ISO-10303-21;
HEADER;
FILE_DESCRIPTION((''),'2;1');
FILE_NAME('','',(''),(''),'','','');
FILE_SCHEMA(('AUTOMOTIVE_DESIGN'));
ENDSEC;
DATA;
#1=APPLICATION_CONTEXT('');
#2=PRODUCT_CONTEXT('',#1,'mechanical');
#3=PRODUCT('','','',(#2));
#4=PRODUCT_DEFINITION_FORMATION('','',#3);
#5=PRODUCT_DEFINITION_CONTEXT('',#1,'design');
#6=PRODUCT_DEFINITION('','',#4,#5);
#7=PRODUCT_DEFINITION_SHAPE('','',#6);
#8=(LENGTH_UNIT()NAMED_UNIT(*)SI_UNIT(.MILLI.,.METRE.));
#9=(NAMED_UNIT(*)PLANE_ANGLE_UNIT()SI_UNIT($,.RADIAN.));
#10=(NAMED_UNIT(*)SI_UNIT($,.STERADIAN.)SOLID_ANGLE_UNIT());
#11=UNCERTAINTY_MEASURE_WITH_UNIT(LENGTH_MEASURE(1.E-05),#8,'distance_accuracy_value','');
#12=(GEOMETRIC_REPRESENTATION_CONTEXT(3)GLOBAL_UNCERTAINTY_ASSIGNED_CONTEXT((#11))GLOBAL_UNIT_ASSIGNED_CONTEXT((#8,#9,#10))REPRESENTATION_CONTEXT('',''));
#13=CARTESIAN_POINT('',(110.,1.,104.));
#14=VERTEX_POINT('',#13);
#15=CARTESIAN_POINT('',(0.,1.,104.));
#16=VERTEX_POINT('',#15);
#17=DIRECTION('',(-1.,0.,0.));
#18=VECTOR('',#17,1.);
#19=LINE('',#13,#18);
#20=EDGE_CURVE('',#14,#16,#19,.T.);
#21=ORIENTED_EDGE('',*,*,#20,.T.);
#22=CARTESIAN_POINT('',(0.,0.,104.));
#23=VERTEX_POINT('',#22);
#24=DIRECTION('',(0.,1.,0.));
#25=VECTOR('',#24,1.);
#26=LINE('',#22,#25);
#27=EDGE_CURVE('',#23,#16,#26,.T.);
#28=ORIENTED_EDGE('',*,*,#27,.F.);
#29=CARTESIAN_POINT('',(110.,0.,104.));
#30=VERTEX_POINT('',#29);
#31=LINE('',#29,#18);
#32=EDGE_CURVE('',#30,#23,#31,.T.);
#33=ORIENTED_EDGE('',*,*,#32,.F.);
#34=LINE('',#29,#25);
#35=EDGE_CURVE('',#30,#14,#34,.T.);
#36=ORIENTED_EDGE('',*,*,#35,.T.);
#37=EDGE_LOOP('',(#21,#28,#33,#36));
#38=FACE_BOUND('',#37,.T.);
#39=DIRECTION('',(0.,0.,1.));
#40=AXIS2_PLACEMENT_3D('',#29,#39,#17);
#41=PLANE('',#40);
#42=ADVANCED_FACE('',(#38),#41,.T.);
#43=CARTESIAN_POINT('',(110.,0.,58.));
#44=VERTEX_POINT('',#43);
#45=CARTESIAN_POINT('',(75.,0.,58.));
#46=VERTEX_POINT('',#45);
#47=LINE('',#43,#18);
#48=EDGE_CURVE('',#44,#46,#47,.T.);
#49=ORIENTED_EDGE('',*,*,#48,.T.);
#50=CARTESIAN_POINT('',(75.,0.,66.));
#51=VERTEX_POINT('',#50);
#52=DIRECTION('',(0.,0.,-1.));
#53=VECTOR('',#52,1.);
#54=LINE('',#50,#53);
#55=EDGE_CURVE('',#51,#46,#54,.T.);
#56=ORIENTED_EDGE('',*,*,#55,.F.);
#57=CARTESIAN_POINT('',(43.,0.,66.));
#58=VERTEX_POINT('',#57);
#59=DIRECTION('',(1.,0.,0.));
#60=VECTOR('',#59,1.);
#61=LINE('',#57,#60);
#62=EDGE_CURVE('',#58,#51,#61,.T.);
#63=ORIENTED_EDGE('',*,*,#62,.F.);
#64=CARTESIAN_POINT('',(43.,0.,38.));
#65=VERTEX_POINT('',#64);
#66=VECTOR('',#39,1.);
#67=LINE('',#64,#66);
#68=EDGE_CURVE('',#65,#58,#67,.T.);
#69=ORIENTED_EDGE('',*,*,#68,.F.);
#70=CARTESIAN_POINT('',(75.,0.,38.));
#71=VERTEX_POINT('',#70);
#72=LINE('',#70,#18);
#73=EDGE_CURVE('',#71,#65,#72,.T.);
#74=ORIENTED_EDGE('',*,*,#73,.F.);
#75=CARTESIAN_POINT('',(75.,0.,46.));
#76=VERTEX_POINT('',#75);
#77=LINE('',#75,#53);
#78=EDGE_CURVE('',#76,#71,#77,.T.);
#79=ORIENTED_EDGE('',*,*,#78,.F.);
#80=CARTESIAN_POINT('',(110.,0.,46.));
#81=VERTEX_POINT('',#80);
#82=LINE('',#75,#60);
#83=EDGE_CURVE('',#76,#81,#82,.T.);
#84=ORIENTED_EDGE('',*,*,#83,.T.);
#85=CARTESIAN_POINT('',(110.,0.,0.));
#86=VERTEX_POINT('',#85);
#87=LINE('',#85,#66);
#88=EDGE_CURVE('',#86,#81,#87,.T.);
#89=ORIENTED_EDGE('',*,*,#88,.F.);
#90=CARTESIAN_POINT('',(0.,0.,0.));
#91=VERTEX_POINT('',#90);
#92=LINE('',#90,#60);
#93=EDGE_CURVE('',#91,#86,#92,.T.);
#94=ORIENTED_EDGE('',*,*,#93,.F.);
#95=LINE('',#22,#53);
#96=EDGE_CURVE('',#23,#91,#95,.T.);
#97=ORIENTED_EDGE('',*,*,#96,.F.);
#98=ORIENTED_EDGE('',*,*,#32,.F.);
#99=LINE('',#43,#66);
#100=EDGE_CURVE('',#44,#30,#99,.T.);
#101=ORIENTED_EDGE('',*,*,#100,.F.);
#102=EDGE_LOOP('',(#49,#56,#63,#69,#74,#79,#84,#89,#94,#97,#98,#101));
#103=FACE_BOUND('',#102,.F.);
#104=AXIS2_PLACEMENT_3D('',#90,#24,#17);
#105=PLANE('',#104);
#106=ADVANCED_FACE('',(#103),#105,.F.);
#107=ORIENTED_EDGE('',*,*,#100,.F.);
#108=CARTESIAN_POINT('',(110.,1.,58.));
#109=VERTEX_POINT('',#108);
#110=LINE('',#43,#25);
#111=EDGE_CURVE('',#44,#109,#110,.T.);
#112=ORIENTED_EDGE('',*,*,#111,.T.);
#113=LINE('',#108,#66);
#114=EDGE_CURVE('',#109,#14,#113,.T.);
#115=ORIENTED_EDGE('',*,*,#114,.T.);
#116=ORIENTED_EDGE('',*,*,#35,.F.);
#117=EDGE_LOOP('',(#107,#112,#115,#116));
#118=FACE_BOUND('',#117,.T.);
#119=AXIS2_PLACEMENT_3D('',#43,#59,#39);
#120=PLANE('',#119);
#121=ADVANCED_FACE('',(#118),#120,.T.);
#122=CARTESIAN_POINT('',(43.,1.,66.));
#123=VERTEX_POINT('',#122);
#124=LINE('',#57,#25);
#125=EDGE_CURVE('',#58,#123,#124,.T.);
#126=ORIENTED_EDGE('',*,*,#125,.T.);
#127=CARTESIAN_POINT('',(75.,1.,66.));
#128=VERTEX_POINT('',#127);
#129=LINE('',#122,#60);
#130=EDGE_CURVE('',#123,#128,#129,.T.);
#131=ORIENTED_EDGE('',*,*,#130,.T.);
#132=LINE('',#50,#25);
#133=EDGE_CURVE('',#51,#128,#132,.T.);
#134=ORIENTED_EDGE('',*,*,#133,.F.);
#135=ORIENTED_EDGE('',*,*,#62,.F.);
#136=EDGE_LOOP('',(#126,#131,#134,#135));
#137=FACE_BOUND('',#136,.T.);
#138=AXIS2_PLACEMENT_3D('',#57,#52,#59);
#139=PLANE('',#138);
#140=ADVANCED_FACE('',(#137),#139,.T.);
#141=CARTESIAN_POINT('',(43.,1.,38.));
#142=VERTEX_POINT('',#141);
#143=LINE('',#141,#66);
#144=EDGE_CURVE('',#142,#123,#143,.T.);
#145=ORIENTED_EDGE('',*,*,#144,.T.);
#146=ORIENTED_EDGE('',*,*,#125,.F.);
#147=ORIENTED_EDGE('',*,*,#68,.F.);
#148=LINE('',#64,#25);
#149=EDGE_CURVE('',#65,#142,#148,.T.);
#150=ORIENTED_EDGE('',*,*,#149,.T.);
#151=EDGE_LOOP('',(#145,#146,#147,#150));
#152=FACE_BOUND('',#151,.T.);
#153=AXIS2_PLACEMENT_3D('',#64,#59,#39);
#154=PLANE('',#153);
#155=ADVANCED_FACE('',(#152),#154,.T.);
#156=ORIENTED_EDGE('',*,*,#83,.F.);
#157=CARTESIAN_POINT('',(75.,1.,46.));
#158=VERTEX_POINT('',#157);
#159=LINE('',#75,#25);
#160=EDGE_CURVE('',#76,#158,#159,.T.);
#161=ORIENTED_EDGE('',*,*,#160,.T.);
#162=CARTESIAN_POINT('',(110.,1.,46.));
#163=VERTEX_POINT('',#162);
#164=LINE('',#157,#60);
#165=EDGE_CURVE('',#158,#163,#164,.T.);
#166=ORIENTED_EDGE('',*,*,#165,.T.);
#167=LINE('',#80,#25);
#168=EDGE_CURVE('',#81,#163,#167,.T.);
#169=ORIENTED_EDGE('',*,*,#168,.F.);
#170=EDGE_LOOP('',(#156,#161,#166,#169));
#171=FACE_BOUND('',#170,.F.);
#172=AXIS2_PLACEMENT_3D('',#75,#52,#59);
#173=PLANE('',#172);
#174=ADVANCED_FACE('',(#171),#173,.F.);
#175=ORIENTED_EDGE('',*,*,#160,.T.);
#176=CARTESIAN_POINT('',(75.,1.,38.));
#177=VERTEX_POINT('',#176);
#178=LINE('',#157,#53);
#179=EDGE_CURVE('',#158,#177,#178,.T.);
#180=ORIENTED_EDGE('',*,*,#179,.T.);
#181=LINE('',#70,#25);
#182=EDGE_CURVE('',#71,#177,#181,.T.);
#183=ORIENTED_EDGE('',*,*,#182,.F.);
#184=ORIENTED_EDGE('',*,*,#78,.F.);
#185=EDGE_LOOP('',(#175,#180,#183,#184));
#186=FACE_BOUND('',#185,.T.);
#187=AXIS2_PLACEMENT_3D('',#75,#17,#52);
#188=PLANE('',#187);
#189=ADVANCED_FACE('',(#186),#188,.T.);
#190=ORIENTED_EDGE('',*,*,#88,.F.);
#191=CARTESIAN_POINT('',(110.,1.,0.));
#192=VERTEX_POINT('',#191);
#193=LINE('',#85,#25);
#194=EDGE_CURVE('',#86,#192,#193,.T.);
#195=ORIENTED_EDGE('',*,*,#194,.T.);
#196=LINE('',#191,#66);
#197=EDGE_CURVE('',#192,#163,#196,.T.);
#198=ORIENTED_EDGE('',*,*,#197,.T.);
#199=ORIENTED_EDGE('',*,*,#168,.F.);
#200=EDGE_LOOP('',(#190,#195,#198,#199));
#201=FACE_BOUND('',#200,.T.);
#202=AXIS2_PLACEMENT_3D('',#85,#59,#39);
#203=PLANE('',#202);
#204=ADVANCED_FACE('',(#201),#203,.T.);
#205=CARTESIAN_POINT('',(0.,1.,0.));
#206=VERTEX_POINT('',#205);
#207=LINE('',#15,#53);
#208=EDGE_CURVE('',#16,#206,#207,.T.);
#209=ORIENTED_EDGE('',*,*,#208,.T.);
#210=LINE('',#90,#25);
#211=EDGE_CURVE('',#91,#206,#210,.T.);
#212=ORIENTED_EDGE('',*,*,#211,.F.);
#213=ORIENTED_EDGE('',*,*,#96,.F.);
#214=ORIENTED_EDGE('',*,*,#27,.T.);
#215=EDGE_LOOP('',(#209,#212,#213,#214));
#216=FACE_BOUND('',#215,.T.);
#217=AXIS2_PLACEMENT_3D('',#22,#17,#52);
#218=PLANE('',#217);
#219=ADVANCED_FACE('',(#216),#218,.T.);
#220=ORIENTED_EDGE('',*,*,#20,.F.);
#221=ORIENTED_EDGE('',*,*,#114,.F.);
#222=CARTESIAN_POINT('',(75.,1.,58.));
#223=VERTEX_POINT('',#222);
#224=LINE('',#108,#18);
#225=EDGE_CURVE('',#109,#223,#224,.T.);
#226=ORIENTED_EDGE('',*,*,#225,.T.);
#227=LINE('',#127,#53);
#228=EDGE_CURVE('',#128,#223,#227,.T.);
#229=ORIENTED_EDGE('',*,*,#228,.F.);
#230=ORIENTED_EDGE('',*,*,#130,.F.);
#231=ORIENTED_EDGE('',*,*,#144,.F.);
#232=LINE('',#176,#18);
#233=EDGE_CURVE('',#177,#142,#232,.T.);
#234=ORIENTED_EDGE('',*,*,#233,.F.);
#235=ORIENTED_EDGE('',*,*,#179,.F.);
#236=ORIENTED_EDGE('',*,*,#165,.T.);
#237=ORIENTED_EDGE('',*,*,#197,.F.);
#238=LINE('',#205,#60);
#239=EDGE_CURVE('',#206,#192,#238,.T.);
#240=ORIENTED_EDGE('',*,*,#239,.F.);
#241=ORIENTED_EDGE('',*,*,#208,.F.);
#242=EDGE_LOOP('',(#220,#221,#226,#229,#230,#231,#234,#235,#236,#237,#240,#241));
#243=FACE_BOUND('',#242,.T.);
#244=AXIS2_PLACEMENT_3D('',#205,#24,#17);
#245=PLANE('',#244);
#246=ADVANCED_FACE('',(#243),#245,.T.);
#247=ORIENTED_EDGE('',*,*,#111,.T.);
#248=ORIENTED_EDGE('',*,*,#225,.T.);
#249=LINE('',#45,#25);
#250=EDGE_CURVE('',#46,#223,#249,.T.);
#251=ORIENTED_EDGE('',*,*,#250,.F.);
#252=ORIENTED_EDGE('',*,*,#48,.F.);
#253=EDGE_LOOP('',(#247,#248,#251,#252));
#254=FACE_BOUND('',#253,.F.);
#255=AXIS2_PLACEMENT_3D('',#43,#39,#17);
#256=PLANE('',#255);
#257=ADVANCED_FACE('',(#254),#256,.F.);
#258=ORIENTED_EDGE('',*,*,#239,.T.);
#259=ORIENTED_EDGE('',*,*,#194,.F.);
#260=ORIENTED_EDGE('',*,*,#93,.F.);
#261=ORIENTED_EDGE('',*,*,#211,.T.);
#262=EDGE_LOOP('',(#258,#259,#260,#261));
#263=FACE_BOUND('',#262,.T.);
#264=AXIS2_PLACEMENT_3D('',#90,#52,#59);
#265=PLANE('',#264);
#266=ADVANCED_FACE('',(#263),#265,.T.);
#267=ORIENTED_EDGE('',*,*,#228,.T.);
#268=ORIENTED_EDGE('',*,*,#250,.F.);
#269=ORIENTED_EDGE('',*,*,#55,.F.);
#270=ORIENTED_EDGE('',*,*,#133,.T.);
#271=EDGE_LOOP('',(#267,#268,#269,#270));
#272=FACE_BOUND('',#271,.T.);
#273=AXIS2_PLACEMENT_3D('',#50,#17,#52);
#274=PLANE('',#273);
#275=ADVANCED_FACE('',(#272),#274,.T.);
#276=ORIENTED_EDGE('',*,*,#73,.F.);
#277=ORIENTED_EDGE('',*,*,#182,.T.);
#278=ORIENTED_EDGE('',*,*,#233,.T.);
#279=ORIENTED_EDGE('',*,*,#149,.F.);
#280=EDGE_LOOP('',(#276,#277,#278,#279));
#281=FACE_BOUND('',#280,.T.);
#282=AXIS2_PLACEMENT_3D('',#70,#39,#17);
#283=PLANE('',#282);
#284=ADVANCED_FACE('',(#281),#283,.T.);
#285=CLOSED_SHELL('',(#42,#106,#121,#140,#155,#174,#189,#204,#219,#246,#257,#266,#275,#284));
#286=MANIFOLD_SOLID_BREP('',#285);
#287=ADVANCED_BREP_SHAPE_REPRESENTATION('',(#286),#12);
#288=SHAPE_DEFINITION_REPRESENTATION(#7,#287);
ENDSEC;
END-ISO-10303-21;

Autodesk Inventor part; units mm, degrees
ref_plane "YZ Plane" through (0, 0, 0) normal (1, 0, 0) x (0, 1, 0)
ref_plane "XZ Plane" through (0, 0, 0) normal (0, 1, 0) x (-1, 0, 0)
ref_plane "XY Plane" through (0, 0, 0) normal (0, 0, 1) x (1, 0, 0)
sketch "Sketch1" plane through (0, 0, 0) normal (0, 1, 0) x (-1, 0, 0)
  line L0 (0, 0) -> (-110, 0)
  line L1 (-110, 104) -> (0, 104)
  line L2 (0, 104) -> (0, 0)
  line L3 (-110, 58) -> (-75, 58)
  line L4 (-75, 46) -> (-110, 46)
  line L5 (-110, 0) -> (-110, 46)
  line L6 (-110, 58) -> (-110, 104)
  line L7 (-75, 38) -> (-43, 38)
  line L8 (-43, 38) -> (-43, 66)
  line L9 (-43, 66) -> (-75, 66)
  line L10 (-75, 66) -> (-75, 58)
  line L11 (-75, 46) -> (-75, 38)
  dimension "d6" = 110
  dimension "d7" = 104
  dimension "d8" = 12
  dimension "d9" = 46
  dimension "d10" = 32
  dimension "d11" = 28
  dimension "d12" = 35
extrude "Extrusion1" add sketch "Sketch1" along normal blind 1
properties part number "TopPaperCover"
